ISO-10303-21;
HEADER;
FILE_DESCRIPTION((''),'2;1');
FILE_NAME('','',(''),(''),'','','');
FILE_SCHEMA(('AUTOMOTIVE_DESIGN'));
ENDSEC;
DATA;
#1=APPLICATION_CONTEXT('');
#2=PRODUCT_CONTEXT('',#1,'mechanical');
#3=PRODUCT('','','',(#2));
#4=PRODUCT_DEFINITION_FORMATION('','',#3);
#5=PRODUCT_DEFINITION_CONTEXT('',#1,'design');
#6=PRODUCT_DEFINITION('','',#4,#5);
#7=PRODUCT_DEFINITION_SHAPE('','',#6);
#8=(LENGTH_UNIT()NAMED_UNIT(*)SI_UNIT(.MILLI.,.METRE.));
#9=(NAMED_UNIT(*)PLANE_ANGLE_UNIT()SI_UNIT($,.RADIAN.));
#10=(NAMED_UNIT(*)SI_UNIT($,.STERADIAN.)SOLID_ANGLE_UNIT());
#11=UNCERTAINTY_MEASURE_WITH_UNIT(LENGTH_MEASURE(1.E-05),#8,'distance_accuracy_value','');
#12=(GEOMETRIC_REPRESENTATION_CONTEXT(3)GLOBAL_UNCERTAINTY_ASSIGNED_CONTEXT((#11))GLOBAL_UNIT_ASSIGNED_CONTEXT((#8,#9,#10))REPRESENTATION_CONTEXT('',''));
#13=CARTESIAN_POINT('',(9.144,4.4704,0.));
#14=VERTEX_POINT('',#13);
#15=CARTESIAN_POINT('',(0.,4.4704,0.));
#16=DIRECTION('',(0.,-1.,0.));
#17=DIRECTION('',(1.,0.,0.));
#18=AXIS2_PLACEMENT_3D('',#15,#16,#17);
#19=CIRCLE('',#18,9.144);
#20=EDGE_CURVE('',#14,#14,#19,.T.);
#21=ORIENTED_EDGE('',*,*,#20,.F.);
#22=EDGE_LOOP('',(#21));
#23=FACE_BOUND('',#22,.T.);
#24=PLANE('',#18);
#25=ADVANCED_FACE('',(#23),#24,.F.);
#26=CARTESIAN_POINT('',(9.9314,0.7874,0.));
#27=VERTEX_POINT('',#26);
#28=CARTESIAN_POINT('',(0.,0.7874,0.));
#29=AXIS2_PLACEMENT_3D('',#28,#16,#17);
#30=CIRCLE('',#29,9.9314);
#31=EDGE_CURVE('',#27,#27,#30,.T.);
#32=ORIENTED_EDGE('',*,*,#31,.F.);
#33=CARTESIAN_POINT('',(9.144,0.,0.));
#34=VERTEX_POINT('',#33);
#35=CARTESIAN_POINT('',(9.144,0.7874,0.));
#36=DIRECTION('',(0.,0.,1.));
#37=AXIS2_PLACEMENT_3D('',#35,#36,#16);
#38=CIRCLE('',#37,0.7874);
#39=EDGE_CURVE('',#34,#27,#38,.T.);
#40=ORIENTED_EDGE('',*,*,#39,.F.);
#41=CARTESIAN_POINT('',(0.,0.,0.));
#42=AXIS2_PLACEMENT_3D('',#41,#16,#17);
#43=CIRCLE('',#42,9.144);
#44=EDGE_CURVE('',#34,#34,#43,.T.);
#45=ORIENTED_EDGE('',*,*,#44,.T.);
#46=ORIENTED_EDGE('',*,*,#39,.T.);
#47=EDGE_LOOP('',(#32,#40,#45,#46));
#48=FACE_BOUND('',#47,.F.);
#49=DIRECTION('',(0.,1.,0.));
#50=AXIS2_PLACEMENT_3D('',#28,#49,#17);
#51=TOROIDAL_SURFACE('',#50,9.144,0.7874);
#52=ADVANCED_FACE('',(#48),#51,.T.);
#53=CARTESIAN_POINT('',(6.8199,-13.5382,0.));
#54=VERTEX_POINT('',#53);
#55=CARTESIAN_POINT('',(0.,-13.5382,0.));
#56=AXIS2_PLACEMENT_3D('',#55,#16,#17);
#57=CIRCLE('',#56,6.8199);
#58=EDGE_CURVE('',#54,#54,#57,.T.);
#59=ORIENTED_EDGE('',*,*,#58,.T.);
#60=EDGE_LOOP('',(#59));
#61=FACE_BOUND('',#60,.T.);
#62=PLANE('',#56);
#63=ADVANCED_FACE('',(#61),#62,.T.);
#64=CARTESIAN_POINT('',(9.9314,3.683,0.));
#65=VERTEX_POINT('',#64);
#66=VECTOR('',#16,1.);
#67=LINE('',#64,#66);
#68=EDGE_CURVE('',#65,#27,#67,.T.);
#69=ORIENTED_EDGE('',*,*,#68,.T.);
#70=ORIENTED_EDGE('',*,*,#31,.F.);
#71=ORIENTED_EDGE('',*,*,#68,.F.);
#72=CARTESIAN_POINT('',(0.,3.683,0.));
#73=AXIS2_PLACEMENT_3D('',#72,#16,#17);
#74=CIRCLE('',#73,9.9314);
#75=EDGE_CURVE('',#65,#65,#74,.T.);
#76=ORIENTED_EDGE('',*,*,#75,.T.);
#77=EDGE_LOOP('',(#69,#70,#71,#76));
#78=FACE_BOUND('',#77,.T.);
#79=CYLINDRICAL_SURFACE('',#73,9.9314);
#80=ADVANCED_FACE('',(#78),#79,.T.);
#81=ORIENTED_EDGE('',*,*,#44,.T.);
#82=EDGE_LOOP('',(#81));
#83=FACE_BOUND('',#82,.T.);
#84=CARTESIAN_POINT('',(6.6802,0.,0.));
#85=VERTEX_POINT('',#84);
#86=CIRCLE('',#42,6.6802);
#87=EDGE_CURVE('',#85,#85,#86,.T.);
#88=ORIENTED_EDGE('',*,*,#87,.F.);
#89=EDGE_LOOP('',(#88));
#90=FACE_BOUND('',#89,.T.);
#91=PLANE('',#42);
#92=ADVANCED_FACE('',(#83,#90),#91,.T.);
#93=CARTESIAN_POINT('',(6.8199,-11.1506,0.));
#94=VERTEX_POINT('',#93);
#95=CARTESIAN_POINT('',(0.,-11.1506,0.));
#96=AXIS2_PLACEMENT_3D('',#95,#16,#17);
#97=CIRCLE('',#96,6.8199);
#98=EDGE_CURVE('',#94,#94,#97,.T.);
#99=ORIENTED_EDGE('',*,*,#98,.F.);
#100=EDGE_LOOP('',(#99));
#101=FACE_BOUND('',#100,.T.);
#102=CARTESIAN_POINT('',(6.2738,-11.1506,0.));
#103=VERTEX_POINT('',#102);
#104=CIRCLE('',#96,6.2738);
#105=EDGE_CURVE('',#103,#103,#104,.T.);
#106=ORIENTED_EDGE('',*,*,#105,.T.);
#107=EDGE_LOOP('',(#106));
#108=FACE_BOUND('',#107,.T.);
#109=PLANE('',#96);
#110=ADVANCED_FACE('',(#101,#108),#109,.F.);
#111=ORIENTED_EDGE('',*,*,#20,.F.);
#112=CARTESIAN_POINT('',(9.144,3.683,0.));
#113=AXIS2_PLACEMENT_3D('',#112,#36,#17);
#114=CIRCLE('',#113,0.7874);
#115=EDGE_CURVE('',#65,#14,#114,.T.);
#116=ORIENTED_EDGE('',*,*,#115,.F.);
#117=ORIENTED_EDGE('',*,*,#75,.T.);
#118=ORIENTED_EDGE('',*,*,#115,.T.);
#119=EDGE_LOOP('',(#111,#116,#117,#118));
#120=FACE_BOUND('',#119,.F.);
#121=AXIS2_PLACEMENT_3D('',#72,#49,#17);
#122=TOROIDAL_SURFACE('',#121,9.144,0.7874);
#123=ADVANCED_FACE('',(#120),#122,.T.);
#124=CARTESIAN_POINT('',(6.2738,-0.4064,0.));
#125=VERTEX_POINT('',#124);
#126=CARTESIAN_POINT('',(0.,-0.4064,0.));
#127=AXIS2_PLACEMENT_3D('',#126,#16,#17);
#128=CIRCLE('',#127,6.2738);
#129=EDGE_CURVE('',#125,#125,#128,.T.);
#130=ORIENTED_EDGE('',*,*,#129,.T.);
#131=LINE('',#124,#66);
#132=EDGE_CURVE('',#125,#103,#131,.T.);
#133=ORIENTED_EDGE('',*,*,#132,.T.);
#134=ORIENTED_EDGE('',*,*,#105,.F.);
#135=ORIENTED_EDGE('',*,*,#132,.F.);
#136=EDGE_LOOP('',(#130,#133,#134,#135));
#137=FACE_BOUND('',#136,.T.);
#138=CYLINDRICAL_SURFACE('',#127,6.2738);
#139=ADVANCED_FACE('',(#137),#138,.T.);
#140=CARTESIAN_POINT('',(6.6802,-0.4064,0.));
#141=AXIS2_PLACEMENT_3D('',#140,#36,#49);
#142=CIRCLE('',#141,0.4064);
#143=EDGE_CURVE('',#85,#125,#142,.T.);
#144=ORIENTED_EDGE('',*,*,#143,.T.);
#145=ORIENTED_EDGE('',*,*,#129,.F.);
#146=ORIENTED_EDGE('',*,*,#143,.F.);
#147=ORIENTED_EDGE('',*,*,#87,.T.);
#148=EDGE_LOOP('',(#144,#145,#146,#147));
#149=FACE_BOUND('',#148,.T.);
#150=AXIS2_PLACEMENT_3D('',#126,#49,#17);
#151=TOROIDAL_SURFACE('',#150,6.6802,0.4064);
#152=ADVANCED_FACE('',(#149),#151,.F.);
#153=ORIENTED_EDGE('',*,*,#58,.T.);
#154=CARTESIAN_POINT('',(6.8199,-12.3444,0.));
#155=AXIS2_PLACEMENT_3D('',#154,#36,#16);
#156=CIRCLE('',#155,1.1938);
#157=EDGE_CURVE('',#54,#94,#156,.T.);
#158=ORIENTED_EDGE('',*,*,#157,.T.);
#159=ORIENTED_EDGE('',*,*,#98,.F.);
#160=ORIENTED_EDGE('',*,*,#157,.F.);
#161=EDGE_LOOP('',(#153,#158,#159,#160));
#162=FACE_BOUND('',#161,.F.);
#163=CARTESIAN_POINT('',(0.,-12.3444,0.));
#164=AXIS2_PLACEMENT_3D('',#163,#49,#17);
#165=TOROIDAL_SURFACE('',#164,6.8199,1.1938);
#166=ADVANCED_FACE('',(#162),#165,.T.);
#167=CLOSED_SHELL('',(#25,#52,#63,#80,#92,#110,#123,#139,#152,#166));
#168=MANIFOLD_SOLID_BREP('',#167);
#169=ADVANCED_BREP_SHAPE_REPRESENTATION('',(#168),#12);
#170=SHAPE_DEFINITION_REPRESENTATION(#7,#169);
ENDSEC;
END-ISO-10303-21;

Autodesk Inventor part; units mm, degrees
sketch "Sketch_1" plane through (0, 0, 0) normal (0, 0, 1) x (1, 0, 0)
  line L0 (0, -13.5382) -> (0, 4.4704)
  line L1 (0, 4.4704) -> (9.144, 4.4704)
  arc A0 (9.9314, 3.683) -> (9.144, 4.4704) centre (9.144, 3.683) ccw
  line L2 (9.9314, 3.683) -> (9.9314, 0.7874)
  arc A1 (9.144, 0) -> (9.9314, 0.7874) centre (9.144, 0.7874) ccw
  line L3 (9.144, 0) -> (6.6802, 0)
  arc A2 (6.6802, 0) -> (6.2738, -0.4064) centre (6.6802, -0.4064) ccw
  line L4 (6.2738, -0.4064) -> (6.2738, -11.1506)
  line L5 (6.2738, -11.1506) -> (6.8199, -11.1506)
  arc A3 (6.8199, -13.5382) -> (6.8199, -11.1506) centre (6.8199, -12.3444) ccw
  line L6 (6.8199, -13.5382) -> (0, -13.5382)
  line L7 (0, -13.5382) -> (0, 4.4704)
revolve "Revolution1" add sketch "Sketch_1" angle 360 about axis through (0, -13.5382, 0) along (0, -1, 0)
ref_plane "plate_rivet_XY" through (0, 0, 0) normal (0, -1, 0) x (1, 0, 0)
ref_plane "plate_rivet_YZ" through (0, 0, 0) normal (1, 0, 0) x (0, 0, 1)
ref_plane "plate_rivet_ZX" through (0, 0, 0) normal (0, 0, 1) x (0, -1, 0)
properties part number "2SS-R"
